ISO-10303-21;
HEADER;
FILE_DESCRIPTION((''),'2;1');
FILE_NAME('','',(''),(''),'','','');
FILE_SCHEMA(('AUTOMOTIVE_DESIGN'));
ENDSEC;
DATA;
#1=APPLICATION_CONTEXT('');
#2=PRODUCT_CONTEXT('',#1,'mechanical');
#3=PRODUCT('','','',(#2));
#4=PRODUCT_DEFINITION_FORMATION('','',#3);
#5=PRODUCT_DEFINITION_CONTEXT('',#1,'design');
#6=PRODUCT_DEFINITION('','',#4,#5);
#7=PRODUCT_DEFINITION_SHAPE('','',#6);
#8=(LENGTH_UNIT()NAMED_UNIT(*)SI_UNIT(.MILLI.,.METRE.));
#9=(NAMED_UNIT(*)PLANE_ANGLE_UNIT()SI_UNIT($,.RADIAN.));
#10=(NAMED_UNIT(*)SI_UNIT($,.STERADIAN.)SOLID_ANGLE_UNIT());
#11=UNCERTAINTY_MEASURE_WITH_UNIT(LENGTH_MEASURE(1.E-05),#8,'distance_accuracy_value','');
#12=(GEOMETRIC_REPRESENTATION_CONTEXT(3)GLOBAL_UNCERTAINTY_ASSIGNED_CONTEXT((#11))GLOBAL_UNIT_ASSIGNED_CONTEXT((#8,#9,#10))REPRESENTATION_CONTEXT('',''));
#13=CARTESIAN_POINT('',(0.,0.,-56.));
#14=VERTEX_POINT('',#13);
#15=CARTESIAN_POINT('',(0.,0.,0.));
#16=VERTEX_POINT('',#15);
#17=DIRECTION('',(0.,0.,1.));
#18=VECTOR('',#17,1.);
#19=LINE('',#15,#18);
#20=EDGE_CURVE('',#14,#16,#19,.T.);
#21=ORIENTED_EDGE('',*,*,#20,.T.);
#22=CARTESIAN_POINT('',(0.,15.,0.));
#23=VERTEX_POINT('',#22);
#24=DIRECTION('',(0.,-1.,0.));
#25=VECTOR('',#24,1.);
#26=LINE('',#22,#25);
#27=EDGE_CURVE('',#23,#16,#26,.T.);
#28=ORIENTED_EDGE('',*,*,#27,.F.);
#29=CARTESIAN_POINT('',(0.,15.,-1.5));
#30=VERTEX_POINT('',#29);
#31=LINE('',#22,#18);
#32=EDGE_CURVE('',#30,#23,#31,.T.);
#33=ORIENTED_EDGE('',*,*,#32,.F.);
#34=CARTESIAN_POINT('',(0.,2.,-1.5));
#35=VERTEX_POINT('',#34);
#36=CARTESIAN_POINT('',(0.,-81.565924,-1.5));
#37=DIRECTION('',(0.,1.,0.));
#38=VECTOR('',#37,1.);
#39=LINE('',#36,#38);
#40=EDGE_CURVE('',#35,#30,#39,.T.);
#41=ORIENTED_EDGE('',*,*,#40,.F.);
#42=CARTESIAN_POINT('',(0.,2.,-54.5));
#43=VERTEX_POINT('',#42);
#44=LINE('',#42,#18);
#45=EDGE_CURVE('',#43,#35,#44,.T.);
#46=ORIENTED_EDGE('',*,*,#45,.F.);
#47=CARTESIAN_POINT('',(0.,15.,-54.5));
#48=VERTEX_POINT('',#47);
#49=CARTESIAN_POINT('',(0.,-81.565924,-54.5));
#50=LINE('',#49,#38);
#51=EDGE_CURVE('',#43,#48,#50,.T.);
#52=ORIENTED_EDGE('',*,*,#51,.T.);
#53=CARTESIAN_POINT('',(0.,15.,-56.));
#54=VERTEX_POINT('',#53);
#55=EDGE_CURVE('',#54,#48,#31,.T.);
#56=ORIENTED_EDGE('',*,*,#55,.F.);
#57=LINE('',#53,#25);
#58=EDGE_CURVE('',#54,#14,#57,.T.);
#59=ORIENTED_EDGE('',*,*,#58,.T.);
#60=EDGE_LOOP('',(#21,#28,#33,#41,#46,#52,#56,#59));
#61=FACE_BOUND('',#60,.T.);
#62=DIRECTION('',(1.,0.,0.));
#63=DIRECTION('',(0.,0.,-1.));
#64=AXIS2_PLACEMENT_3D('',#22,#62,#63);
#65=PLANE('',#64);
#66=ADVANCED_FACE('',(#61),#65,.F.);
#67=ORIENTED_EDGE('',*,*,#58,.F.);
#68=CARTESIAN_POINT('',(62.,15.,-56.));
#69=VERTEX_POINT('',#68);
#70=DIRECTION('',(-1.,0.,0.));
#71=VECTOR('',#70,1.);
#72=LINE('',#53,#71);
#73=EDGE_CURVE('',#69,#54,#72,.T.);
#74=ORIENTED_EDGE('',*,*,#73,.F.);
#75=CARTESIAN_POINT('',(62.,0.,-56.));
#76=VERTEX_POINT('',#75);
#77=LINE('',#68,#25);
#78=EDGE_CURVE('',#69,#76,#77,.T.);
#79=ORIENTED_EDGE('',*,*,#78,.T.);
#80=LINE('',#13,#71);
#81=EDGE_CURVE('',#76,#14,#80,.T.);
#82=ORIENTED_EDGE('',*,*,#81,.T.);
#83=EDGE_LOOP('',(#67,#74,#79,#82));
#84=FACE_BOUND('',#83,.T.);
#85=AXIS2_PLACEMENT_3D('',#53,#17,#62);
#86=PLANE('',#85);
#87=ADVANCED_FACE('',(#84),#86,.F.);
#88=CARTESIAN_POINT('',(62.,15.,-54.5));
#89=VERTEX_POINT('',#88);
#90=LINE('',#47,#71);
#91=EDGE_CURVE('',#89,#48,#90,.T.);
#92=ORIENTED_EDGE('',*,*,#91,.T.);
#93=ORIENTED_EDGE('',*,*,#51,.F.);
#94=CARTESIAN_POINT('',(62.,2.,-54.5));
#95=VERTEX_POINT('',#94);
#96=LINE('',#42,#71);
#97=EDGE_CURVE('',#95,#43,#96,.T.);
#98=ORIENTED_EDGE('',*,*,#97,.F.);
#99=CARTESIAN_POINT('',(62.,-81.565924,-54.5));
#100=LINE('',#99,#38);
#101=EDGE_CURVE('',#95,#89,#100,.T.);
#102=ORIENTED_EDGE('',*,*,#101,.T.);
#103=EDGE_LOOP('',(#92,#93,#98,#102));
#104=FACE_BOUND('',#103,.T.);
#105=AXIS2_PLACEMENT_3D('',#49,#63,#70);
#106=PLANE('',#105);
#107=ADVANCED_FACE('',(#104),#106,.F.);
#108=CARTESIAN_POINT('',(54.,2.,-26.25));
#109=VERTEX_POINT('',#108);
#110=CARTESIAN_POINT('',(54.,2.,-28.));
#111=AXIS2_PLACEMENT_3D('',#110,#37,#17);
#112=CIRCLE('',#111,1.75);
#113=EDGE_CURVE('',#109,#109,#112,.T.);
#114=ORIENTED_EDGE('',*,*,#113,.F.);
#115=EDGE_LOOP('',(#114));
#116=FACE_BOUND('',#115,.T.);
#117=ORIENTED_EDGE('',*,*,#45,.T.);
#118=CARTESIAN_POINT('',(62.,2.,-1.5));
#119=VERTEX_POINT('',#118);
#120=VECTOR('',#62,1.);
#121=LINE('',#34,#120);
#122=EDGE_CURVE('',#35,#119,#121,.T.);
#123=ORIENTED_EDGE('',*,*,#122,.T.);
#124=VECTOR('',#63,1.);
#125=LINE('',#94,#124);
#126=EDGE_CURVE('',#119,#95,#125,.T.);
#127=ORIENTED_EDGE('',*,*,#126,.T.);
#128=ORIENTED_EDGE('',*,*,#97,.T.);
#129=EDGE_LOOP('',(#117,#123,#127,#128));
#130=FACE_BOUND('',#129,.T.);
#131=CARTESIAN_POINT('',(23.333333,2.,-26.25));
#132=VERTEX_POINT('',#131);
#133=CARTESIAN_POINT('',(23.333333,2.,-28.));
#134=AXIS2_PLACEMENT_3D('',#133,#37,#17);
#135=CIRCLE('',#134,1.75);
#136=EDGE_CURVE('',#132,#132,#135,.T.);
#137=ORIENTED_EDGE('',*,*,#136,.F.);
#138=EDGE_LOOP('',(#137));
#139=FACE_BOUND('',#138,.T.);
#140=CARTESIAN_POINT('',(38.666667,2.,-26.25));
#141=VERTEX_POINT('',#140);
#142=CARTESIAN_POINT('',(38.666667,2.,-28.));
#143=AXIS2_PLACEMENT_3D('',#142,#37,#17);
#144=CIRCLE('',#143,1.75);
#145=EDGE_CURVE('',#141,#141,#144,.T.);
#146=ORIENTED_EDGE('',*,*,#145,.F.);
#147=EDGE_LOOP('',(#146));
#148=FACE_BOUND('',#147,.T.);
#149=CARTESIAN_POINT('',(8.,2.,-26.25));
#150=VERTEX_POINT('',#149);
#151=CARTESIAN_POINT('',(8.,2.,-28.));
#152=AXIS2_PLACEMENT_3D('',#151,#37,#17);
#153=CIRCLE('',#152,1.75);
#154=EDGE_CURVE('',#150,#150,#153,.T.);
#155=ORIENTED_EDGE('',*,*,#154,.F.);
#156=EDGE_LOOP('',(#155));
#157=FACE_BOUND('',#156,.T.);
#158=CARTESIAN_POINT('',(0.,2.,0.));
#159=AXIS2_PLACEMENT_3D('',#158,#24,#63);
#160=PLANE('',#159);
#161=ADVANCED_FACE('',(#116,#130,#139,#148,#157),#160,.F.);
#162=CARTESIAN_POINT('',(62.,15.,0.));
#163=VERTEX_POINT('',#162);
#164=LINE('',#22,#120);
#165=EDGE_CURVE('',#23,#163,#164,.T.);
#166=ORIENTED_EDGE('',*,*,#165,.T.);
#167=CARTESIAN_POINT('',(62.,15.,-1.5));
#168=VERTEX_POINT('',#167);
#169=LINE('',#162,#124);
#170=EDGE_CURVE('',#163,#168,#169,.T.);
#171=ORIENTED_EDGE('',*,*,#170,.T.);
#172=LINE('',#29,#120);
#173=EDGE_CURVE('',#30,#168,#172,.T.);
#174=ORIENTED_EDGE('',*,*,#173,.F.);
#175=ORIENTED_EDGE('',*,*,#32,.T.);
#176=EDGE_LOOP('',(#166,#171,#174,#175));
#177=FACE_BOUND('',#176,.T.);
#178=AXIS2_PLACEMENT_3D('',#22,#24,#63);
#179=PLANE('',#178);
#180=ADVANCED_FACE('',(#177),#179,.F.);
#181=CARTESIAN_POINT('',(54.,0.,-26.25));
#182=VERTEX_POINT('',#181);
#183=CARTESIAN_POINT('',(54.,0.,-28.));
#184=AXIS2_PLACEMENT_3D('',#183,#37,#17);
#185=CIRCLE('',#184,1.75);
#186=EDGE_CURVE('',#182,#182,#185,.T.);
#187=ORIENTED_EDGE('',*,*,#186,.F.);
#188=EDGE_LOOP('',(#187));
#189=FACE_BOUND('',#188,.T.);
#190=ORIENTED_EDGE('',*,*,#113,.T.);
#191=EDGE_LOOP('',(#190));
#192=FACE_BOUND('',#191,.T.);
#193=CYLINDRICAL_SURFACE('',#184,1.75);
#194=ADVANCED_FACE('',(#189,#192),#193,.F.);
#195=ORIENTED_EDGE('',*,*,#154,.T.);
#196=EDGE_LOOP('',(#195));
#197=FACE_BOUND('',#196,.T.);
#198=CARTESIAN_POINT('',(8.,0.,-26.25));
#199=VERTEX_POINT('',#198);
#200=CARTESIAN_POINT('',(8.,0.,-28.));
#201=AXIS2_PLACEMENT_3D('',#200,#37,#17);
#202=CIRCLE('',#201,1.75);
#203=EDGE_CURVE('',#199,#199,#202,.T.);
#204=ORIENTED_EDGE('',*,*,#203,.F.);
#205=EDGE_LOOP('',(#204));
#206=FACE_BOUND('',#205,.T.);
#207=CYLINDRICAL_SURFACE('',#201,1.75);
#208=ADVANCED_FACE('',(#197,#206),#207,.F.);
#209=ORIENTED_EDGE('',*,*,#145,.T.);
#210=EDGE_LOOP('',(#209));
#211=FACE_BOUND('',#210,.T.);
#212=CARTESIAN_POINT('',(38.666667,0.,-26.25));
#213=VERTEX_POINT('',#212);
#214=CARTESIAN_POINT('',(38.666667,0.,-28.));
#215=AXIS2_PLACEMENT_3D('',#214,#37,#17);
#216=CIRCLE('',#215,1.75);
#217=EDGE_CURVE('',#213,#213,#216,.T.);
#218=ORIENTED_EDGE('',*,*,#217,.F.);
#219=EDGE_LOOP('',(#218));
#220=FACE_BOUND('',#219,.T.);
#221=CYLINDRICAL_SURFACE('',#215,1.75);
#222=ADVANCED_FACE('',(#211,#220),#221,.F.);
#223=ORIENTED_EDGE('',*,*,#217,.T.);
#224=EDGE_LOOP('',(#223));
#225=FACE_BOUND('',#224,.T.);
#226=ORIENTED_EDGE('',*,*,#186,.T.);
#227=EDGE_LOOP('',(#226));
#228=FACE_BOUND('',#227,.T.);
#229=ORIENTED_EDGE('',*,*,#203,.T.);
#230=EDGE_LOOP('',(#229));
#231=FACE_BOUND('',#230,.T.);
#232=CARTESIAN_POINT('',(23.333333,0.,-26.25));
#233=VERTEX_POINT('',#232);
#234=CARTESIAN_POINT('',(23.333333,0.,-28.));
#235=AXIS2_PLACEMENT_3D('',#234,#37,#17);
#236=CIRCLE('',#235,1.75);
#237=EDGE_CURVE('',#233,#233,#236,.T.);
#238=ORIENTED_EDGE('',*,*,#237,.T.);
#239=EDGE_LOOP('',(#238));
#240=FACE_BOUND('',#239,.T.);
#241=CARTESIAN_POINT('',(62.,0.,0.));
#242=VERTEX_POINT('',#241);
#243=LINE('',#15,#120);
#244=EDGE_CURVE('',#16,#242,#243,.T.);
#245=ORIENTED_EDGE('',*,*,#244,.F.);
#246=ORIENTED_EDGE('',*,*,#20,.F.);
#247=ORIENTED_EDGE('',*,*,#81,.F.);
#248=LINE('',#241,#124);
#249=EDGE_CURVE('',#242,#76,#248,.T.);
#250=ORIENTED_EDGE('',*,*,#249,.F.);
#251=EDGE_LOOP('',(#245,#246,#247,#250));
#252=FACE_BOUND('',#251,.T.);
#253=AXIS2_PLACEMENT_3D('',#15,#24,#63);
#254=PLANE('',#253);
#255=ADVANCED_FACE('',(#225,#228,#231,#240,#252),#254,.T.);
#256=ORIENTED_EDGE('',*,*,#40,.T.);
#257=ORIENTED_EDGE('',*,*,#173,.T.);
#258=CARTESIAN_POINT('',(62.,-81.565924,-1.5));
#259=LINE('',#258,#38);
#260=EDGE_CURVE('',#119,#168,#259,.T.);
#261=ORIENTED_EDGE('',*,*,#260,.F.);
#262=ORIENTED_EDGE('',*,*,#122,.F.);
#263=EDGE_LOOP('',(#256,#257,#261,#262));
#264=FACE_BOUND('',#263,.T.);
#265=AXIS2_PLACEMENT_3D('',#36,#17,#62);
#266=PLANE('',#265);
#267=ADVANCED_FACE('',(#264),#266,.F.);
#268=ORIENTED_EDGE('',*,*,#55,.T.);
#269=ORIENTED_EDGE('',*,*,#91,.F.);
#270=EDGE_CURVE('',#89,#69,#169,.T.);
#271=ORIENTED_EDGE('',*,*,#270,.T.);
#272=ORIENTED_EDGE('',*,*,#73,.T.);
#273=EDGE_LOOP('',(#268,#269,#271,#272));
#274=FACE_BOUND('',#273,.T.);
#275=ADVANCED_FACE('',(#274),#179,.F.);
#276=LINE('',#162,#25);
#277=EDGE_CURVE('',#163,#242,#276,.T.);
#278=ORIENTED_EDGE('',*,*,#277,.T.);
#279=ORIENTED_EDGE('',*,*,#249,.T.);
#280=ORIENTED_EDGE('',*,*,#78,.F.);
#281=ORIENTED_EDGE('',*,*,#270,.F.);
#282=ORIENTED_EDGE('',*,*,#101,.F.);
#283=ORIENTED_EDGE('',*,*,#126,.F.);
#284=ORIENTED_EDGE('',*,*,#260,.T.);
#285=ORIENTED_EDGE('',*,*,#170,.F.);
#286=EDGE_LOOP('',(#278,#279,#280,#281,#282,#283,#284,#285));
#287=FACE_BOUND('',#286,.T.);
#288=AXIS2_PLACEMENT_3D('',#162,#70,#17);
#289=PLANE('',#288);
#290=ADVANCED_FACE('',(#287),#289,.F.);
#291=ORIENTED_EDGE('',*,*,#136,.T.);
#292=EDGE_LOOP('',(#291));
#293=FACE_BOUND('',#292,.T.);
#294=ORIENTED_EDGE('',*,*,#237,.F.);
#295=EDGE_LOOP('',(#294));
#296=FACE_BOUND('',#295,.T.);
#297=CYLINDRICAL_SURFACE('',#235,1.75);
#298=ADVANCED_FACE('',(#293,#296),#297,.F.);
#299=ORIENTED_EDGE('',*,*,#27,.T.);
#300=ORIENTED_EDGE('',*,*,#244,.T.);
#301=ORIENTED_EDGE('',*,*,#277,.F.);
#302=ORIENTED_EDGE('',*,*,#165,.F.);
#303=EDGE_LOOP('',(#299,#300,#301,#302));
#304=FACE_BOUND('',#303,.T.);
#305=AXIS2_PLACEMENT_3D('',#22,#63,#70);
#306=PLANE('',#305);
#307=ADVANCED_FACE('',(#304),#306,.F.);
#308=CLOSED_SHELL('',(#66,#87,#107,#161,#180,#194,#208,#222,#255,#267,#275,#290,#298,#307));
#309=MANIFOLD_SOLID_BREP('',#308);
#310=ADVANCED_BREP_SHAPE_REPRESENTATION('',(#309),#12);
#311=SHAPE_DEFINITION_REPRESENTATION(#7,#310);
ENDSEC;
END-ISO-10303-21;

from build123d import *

# Parameters (mm, degrees)
SKETCH2_W           = 62
SKETCH2_H           = 56
BOSS_EXTRUDE1_DEPTH = 15
SKETCH3_W           = 62
SKETCH3_H           = 53
CUT_EXTRUDE1_DEPTH  = 13
SKETCH4_R           = 1.75
CUT_EXTRUDE2_DEPTH  = 85.551759296


with BuildPart() as part:
    # Sketch2 → Boss-Extrude1 (new body)
    with BuildSketch(Plane(origin=(0, 0, 0), x_dir=(1, 0, 0), z_dir=(0, 1, 0))):
        with Locations((31, 28)):
            Rectangle(SKETCH2_W, SKETCH2_H)
    extrude(amount=BOSS_EXTRUDE1_DEPTH)

    # Sketch3 → Cut-Extrude1 (cut)
    with BuildSketch(Plane(origin=(0, 15, 0), x_dir=(1, 0, 0), z_dir=(0, 1, 0))):
        with Locations((31, 28)):
            Rectangle(SKETCH3_W, SKETCH3_H)
    extrude(amount=-CUT_EXTRUDE1_DEPTH, mode=Mode.SUBTRACT)

    # Sketch4 → Cut-Extrude2 (cut, through all)
    with BuildSketch(Plane(origin=(0, 2, 0), x_dir=(1, 0, 0), z_dir=(0, 1, 0))):
        with Locations(Location((8, 28, 0), (0, 0, 270))):
            Circle(SKETCH4_R)
        with Locations(Location((23.333333333, 28, 0), (0, 0, 270))):
            Circle(SKETCH4_R)
        with Locations(Location((38.666666667, 28, 0), (0, 0, 270))):
            Circle(SKETCH4_R)
        with Locations(Location((54, 28, 0), (0, 0, 270))):
            Circle(SKETCH4_R)
    extrude(amount=-CUT_EXTRUDE2_DEPTH, mode=Mode.SUBTRACT)


solid = part.part
